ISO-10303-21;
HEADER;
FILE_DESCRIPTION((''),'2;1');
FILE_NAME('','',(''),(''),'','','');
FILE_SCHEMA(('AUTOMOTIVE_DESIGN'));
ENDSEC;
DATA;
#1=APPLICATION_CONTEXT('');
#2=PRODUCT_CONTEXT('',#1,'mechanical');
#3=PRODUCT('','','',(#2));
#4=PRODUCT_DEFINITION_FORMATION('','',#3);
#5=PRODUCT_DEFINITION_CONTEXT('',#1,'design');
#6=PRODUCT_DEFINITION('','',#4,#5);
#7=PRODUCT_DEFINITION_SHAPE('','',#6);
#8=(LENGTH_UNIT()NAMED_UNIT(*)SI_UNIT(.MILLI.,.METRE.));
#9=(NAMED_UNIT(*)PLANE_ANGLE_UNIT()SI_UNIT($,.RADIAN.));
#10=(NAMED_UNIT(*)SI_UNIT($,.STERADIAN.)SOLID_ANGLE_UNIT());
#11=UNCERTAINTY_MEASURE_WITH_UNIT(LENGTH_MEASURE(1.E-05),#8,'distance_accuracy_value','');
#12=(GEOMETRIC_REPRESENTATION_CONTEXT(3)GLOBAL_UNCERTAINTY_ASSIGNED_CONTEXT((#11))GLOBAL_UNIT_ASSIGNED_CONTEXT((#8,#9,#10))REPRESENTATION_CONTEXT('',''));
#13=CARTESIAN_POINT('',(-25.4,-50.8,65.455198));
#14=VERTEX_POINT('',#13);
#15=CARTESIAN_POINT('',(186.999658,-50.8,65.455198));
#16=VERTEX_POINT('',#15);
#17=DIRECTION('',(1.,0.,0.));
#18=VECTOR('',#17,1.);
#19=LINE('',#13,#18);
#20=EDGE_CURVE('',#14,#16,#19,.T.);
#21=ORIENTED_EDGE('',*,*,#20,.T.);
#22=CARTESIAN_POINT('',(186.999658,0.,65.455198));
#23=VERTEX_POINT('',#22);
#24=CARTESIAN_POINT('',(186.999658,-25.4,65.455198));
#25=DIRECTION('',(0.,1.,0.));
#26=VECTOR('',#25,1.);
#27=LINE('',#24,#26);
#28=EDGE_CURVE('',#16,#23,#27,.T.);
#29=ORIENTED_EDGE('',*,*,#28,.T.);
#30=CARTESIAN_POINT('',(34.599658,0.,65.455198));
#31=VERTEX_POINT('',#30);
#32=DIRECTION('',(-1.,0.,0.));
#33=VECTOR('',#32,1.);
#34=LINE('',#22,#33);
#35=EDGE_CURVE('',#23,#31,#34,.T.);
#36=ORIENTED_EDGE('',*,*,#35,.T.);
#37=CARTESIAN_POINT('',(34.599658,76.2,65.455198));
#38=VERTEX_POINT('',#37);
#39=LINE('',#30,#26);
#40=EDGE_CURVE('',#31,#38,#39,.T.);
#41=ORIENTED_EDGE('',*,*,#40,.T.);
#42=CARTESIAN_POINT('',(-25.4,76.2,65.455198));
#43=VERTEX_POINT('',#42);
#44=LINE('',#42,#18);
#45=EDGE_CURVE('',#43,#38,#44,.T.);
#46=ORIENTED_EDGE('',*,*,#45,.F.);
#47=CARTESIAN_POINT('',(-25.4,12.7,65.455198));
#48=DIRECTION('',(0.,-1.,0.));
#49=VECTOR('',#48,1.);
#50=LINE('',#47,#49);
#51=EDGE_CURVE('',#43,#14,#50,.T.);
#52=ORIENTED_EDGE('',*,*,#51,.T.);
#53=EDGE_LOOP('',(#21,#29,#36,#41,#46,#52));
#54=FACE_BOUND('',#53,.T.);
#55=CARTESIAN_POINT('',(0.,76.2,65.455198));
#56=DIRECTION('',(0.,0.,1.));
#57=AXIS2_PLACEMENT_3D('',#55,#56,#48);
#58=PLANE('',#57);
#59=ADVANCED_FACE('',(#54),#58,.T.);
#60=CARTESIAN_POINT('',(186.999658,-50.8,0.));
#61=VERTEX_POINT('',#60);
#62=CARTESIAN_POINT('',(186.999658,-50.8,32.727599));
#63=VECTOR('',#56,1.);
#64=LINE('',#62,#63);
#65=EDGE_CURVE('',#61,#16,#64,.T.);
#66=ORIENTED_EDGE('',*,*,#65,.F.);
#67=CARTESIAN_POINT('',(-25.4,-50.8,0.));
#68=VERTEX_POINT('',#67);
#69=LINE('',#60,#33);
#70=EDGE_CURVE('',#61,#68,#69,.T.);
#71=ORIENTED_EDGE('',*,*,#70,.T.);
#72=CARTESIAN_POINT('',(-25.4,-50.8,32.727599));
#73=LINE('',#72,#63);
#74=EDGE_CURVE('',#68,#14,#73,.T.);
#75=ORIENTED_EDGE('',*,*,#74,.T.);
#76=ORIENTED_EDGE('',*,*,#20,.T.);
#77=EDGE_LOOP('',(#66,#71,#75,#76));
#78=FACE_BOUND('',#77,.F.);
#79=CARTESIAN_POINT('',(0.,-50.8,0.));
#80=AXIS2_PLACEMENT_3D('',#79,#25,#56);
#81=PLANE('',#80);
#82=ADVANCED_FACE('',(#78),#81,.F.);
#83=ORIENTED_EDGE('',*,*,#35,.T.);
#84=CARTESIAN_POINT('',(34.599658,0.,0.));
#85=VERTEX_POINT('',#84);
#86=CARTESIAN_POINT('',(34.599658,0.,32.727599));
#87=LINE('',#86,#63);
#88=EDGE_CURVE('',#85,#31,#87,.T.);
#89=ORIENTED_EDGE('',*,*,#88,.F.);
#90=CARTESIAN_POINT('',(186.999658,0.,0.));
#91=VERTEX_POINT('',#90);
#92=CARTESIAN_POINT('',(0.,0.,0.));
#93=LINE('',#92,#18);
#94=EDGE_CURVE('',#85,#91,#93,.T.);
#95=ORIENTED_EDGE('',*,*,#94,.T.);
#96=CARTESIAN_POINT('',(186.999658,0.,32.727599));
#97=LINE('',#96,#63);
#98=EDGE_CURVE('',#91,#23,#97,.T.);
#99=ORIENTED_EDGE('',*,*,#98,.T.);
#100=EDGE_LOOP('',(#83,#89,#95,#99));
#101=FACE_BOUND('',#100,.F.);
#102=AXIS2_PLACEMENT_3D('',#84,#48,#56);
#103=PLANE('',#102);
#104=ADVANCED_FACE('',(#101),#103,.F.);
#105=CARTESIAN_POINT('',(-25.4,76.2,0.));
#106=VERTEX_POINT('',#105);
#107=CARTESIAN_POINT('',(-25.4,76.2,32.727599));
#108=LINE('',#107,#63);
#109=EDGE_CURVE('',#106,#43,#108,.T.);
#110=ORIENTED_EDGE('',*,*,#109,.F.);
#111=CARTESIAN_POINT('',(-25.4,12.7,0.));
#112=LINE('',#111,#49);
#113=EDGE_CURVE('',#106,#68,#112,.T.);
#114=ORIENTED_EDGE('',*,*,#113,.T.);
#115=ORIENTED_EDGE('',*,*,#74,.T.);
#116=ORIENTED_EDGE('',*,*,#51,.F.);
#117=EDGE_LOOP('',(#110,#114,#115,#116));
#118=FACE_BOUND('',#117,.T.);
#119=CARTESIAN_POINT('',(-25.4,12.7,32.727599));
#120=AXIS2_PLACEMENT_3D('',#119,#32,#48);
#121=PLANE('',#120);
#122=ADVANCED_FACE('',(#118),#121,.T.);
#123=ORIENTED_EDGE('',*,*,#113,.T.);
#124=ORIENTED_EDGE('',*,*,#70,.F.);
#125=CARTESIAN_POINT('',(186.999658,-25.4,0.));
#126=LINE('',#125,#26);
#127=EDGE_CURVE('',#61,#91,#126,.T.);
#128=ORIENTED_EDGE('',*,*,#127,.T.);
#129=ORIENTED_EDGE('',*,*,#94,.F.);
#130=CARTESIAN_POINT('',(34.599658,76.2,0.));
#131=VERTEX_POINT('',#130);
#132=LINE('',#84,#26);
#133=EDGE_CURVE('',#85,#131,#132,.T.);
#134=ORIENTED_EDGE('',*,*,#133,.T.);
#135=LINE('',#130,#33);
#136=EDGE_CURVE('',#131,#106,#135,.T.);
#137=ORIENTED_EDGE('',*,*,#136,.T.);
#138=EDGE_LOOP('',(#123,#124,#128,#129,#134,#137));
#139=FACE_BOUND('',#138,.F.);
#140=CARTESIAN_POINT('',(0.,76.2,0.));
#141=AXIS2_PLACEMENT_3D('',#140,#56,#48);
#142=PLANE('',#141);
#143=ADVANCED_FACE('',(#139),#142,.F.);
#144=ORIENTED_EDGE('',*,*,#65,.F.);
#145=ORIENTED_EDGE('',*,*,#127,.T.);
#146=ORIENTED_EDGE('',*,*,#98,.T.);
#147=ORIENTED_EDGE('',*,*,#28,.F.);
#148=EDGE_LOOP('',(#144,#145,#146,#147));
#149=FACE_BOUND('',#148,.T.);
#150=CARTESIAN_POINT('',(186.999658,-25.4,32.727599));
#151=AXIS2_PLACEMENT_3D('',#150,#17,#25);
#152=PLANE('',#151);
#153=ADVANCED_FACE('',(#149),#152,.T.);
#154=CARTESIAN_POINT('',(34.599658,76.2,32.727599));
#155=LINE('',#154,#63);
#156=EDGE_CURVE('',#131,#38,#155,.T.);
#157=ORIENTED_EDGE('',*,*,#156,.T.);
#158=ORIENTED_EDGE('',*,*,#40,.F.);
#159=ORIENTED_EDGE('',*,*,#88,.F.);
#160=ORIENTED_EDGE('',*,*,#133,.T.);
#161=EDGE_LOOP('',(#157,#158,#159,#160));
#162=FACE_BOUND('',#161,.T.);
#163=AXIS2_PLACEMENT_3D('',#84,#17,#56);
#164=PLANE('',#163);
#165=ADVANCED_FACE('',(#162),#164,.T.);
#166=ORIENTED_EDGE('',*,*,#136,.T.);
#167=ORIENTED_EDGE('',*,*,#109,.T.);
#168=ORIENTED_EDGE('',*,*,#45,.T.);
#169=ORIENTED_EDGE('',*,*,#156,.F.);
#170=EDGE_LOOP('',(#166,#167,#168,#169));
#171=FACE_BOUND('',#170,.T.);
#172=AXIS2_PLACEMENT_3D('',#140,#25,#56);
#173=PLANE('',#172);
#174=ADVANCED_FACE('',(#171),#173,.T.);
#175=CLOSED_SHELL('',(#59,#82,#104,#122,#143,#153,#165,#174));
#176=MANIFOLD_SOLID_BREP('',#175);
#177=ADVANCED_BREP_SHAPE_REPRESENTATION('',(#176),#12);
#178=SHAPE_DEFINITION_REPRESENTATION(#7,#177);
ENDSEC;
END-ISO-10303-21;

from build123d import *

# Parameters (mm, degrees)
F0_W      = 34.599658
F0_H      = 65.455198
F1_DEPTH  = 50.8
F1_FACE_W = 50.8
F1_FACE_H = 65.455198
F2_DEPTH  = 152.4
F3_DEPTH  = 76.2
F3_FACE_W = 127
F3_FACE_H = 65.455198
F4_DEPTH  = 25.4


with BuildPart() as f1:
    # F0 (on Front) → F1 (new body)
    with BuildSketch(Plane.XZ):
        with Locations((17.299829, 32.727599)):
            Rectangle(F0_W, F0_H)
    extrude(amount=F1_DEPTH)

    # F1_face (on face) → F2 (join)
    with BuildSketch(Plane(origin=(34.599658, -25.4, 32.727599), x_dir=(0, 1, 0), z_dir=(1, 0, 0))):
        Rectangle(F1_FACE_W, F1_FACE_H)
    extrude(amount=F2_DEPTH)

    # F0 (on Front) → F3 (join)
    with BuildSketch(Plane.XZ):
        with Locations((17.299829, 32.727599)):
            Rectangle(F0_W, F0_H)
    extrude(amount=-F3_DEPTH)

    # F3_face (on face) → F4 (join)
    with BuildSketch(Plane(origin=(0, 12.7, 32.727599), x_dir=(0, -1, 0), z_dir=(-1, 0, 0))):
        Rectangle(F3_FACE_W, F3_FACE_H)
    extrude(amount=F4_DEPTH)


solid = f1.part
